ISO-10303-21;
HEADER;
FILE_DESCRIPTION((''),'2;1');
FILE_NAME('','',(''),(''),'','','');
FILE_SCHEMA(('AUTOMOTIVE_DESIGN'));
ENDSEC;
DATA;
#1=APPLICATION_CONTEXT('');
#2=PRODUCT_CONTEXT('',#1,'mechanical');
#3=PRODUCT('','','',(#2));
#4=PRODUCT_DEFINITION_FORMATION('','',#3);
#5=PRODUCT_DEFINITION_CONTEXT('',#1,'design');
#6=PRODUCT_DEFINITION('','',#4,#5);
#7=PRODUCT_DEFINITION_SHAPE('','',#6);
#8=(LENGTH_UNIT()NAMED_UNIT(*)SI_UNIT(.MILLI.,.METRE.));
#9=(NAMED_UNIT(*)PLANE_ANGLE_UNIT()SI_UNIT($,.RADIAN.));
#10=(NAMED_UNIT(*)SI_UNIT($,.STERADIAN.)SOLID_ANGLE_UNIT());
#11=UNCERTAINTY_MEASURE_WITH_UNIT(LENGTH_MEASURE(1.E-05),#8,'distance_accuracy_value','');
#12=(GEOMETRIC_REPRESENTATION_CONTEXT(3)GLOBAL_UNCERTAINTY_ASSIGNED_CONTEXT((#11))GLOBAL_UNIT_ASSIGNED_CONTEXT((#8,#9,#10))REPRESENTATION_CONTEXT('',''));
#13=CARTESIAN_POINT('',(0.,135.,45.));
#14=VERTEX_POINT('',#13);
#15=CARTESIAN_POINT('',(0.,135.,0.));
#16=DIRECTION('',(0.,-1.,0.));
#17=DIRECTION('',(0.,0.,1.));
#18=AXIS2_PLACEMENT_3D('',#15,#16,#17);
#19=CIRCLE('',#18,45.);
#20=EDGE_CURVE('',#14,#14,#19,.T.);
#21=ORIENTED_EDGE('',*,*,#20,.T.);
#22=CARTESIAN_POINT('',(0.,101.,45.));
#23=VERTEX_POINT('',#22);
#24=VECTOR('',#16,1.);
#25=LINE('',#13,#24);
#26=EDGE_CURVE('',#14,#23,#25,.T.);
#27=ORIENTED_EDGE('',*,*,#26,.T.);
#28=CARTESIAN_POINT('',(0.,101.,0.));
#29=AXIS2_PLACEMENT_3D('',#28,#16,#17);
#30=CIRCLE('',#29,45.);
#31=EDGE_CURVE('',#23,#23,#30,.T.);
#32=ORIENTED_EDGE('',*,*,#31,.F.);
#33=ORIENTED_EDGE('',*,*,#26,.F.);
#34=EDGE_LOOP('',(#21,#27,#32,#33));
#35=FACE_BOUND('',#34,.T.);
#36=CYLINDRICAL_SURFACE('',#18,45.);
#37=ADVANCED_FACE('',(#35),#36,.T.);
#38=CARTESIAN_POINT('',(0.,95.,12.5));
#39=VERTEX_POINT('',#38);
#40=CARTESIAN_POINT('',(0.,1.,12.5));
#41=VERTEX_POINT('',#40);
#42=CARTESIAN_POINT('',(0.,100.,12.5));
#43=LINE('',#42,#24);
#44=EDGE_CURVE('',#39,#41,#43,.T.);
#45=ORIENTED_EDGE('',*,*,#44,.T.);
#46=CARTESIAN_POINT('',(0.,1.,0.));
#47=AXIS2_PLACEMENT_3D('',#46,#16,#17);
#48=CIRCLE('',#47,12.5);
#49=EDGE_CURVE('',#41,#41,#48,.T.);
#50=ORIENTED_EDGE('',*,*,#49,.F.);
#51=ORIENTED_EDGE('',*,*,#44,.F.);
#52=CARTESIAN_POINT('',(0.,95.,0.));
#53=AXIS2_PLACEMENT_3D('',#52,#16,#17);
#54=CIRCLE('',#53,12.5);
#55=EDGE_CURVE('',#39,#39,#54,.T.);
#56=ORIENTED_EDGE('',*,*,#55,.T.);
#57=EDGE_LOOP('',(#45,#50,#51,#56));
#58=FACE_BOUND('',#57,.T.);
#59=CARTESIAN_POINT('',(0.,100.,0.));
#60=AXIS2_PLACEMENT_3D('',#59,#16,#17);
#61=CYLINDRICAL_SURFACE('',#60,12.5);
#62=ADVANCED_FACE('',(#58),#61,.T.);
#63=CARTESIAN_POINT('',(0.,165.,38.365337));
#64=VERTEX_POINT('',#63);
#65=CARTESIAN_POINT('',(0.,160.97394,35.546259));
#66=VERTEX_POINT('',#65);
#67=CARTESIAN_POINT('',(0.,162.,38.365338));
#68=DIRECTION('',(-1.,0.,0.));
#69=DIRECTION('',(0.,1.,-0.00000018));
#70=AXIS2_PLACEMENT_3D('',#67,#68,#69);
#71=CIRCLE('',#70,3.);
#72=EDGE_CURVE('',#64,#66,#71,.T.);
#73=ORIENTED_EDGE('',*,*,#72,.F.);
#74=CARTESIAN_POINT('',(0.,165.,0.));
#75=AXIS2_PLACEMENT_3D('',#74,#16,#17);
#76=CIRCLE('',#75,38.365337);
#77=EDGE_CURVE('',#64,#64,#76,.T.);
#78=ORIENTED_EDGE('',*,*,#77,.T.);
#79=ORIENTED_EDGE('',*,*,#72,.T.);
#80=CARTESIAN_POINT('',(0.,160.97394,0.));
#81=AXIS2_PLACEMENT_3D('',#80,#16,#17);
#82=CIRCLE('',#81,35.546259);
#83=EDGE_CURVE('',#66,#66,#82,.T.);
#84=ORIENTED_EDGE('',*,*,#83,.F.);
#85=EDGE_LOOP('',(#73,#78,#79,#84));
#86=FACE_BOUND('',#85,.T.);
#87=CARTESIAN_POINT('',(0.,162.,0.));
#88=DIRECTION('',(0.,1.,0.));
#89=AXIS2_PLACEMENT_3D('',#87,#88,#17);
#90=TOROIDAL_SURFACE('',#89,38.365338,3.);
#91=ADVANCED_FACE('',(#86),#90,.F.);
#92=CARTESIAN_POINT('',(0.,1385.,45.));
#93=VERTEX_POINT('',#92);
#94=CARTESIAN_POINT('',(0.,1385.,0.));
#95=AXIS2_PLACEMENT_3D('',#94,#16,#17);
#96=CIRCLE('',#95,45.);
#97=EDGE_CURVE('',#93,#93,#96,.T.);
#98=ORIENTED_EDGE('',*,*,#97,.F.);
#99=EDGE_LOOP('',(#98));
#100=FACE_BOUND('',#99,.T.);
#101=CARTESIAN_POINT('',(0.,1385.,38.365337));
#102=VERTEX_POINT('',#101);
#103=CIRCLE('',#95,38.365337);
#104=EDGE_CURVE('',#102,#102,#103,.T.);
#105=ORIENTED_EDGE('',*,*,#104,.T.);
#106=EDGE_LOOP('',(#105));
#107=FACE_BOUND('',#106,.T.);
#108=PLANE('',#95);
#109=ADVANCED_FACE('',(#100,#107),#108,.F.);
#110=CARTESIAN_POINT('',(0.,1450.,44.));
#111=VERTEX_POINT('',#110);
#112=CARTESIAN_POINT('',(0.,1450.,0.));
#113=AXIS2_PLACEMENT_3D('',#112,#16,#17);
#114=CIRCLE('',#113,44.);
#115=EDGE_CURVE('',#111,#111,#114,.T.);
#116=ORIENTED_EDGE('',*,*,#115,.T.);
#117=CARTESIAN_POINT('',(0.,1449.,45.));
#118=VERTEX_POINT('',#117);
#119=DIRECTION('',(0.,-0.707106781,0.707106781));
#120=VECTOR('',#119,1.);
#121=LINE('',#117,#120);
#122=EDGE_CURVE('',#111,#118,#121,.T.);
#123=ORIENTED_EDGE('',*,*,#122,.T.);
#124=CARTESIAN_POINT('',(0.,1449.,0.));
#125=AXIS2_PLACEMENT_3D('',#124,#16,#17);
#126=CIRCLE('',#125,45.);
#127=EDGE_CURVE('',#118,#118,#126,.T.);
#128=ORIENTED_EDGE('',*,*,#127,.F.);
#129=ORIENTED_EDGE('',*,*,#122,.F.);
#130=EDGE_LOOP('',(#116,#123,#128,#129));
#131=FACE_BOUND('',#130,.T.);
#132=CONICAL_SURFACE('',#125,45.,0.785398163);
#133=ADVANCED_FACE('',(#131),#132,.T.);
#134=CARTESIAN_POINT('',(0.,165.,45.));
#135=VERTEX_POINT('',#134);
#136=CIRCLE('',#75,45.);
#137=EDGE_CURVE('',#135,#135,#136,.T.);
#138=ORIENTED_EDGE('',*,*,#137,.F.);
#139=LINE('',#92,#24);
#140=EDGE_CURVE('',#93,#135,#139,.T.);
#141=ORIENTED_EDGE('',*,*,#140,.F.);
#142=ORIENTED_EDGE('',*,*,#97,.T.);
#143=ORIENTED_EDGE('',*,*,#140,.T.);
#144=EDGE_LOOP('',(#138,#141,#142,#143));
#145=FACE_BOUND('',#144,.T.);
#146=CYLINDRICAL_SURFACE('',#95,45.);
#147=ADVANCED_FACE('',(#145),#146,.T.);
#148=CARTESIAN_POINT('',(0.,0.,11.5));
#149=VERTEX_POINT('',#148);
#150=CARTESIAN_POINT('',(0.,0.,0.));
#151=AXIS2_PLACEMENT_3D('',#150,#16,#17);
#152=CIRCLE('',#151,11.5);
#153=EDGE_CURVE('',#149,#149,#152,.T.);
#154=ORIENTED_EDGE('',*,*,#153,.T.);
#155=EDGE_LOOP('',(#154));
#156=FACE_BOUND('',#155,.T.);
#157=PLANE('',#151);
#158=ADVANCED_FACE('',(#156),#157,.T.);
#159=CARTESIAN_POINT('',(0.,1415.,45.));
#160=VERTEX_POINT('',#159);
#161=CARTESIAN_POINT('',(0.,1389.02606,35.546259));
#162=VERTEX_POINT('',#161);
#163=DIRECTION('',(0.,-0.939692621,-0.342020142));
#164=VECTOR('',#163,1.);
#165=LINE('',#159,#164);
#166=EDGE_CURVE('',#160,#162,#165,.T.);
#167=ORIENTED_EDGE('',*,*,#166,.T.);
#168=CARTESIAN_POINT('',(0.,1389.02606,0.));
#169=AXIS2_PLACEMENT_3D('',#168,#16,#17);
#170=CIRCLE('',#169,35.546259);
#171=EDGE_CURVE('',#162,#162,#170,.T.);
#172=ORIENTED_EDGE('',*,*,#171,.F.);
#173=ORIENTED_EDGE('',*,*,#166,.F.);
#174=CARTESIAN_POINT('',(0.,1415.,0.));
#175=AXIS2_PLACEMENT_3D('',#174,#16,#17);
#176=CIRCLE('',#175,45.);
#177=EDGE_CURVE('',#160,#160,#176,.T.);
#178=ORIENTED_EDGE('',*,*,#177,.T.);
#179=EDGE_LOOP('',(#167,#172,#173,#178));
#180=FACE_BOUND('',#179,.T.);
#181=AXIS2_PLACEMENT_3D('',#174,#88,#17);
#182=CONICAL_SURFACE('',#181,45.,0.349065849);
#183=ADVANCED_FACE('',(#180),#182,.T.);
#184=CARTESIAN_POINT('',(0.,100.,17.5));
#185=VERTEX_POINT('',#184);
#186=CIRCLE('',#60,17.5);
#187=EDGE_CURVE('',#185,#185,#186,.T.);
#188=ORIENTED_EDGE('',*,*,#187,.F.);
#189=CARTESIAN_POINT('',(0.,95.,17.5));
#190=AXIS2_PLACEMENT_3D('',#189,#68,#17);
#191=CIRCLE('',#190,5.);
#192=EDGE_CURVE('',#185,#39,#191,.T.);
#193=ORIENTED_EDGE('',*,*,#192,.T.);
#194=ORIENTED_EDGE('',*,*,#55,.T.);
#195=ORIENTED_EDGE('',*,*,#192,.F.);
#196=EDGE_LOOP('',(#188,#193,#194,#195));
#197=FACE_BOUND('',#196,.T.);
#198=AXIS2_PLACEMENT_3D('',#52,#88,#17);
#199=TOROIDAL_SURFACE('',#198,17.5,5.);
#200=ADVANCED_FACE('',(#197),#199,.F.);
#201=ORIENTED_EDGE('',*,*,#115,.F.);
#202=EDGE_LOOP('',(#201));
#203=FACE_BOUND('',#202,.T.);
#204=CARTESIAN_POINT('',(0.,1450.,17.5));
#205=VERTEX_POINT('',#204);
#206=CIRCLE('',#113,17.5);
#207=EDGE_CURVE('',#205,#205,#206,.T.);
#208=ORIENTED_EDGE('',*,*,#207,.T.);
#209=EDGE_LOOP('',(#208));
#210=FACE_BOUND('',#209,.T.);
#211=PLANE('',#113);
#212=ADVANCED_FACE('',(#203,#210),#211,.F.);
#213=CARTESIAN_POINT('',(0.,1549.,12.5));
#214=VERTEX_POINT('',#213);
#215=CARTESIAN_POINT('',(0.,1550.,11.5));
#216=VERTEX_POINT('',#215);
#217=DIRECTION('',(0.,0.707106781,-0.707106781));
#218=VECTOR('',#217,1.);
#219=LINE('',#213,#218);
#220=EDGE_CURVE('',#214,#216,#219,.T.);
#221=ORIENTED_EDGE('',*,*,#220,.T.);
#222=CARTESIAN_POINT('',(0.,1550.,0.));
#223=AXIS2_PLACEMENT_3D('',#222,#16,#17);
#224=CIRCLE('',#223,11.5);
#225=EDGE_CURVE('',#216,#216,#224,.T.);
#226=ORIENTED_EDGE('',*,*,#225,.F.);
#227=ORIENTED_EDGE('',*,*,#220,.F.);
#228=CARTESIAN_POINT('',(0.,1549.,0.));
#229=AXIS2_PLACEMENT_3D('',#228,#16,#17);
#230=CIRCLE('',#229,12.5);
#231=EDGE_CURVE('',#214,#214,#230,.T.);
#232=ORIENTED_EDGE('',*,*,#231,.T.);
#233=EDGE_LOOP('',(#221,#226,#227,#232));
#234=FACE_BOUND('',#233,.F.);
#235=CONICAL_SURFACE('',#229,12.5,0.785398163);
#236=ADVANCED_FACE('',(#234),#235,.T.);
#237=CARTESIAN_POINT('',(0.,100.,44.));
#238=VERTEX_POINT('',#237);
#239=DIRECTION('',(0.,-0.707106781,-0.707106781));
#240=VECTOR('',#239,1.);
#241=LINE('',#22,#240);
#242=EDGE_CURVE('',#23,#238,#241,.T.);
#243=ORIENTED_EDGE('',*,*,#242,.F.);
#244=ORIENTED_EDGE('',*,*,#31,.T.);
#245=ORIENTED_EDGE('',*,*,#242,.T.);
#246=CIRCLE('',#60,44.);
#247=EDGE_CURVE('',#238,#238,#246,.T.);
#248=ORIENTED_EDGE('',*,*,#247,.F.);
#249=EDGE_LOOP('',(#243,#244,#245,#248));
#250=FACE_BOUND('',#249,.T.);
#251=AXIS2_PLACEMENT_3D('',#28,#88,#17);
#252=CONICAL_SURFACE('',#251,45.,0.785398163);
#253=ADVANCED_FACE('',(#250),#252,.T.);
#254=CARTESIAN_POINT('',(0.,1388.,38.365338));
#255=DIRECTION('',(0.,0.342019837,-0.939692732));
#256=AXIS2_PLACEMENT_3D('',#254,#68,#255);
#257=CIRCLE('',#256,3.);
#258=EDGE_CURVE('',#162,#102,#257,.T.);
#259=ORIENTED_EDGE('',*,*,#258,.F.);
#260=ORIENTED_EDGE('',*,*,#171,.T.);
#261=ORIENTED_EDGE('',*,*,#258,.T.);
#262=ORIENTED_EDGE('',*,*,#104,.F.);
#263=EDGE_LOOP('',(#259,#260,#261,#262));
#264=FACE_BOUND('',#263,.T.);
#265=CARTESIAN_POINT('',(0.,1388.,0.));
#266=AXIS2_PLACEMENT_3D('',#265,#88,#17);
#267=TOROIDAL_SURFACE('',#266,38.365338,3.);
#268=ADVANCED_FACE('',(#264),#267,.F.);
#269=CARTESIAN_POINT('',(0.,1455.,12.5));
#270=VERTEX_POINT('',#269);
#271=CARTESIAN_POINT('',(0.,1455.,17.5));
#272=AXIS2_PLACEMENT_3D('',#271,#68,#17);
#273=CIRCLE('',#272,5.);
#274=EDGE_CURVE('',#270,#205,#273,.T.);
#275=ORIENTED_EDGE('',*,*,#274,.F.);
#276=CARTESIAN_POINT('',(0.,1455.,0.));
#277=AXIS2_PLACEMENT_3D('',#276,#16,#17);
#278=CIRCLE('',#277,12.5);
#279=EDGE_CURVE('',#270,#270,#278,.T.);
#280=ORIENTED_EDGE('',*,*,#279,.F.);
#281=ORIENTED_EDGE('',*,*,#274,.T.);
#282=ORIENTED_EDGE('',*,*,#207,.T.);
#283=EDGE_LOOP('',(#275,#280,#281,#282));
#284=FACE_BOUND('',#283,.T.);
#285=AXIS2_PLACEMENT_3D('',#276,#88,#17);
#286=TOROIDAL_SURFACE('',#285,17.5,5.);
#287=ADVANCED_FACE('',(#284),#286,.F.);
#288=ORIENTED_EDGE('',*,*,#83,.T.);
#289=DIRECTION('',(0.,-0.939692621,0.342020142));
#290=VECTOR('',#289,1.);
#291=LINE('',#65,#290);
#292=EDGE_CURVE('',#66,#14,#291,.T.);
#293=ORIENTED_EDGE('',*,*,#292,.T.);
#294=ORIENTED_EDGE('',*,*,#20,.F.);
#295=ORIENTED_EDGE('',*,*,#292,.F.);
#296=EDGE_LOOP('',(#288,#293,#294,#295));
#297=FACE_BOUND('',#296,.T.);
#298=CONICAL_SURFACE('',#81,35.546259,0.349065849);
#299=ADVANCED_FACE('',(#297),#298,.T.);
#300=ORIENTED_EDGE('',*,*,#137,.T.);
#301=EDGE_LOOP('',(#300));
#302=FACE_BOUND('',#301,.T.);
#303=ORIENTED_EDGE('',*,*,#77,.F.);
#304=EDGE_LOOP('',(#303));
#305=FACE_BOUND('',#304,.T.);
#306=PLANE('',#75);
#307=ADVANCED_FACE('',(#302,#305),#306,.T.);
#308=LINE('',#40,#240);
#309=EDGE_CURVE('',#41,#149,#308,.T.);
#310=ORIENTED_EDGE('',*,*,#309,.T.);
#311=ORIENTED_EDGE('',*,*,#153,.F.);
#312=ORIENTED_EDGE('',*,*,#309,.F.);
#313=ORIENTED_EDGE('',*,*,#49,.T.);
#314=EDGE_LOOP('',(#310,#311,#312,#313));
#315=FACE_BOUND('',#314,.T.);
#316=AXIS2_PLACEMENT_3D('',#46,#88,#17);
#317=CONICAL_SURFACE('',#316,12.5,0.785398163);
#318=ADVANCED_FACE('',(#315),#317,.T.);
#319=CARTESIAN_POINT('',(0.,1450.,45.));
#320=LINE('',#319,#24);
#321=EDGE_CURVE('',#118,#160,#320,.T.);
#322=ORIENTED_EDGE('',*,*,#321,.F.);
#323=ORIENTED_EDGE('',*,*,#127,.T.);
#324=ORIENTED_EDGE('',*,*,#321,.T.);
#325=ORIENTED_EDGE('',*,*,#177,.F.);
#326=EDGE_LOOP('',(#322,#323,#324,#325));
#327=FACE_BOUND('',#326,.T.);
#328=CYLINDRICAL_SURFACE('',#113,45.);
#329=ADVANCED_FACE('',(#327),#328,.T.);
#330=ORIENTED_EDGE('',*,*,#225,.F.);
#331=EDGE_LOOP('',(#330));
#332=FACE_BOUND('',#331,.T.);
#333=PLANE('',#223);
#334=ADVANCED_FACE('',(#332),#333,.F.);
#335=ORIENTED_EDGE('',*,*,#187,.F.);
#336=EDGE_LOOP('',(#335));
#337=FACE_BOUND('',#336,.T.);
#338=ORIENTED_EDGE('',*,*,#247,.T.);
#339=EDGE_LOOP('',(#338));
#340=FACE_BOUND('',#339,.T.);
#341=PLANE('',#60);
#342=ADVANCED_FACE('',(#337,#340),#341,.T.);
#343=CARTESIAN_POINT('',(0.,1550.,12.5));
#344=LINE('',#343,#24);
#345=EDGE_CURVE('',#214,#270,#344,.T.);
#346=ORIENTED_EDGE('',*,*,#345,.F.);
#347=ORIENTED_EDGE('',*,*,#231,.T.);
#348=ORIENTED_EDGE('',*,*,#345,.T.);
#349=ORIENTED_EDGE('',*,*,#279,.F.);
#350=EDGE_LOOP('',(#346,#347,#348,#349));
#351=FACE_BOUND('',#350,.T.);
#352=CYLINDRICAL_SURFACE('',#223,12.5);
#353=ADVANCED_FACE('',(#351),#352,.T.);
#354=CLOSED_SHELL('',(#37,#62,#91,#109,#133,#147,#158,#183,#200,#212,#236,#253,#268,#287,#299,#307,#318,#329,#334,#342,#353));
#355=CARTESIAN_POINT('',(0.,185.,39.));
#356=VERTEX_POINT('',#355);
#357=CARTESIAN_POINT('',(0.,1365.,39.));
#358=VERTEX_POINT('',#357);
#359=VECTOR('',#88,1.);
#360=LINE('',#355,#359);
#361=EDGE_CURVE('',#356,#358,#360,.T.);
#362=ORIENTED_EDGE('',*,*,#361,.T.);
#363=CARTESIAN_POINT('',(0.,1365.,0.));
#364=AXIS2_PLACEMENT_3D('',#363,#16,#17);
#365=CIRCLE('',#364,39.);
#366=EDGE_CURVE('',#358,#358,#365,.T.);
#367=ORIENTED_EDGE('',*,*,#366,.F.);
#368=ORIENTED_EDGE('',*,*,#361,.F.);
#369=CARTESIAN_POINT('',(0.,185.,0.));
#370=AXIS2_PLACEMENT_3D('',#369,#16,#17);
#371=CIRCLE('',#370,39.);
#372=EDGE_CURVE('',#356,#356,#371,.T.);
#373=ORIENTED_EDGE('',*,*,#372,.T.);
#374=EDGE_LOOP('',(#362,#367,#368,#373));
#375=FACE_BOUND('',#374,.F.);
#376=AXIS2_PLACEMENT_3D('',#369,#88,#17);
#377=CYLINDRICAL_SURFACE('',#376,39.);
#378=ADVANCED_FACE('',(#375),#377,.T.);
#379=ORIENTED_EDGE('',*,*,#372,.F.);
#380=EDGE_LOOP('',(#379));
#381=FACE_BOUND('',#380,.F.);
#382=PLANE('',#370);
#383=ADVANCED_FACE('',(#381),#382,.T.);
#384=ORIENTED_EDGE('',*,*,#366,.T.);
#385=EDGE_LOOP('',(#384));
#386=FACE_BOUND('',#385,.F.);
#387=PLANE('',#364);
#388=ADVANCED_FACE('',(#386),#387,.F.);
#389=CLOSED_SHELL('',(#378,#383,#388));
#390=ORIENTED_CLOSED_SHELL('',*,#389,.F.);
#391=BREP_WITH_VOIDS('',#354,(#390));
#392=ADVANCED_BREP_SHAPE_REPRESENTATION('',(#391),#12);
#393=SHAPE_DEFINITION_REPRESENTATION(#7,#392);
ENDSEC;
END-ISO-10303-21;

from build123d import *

# Parameters (mm, degrees)
F2_R    = 5
F3_SIZE = 1


with BuildPart() as f1:
    # F0 (on Right) → F1 (revolve)
    with BuildSketch(Plane.YZ):
        with BuildLine():
            Line((0, 12.5), (0, 0))
            Line((0, 0), (185, 0))
            Line((185, 0), (185, 39))
            Line((185, 39), (1365, 39))
            Line((1365, 39), (1365, 0))
            Line((1365, 0), (1550, 0))
            Line((1550, 0), (1550, 12.5))
            Line((1550, 12.5), (1450, 12.5))
            Line((1450, 12.5), (1450, 45))
            Line((1450, 45), (1415, 45))
            Line((1415, 45), (1389.02606, 35.546259))
            ThreePointArc((1389.02606, 35.546259), (1386.279271, 35.907881), (1385, 38.365337))
            Line((1385, 38.365337), (1385, 45))
            Line((1385, 45), (165, 45))
            Line((165, 45), (165, 38.365337))
            ThreePointArc((165, 38.365337), (163.720729, 35.907881), (160.97394, 35.546259))
            Line((160.97394, 35.546259), (135, 45))
            Line((135, 45), (100, 45))
            Line((100, 45), (100, 12.5))
            Line((100, 12.5), (0, 12.5))
        make_face()
    revolve(axis=Axis((0, 1457.5, 0), (0, -1, 0)))

    # F2
    f2_edges = [f1.edges().sort_by_distance(p)[0] for p in [
        (0, 1450, -12.5),
        (0, 100, -12.5),
    ]]
    fillet(f2_edges, radius=F2_R)

    # F3
    f3_edges = [f1.edges().sort_by_distance(p)[0] for p in [
        (0, 1450, -45),
        (0, 1550, -12.5),
        (0, 0, -12.5),
        (0, 100, -45),
    ]]
    chamfer(f3_edges, length=F3_SIZE)


solid = f1.part
